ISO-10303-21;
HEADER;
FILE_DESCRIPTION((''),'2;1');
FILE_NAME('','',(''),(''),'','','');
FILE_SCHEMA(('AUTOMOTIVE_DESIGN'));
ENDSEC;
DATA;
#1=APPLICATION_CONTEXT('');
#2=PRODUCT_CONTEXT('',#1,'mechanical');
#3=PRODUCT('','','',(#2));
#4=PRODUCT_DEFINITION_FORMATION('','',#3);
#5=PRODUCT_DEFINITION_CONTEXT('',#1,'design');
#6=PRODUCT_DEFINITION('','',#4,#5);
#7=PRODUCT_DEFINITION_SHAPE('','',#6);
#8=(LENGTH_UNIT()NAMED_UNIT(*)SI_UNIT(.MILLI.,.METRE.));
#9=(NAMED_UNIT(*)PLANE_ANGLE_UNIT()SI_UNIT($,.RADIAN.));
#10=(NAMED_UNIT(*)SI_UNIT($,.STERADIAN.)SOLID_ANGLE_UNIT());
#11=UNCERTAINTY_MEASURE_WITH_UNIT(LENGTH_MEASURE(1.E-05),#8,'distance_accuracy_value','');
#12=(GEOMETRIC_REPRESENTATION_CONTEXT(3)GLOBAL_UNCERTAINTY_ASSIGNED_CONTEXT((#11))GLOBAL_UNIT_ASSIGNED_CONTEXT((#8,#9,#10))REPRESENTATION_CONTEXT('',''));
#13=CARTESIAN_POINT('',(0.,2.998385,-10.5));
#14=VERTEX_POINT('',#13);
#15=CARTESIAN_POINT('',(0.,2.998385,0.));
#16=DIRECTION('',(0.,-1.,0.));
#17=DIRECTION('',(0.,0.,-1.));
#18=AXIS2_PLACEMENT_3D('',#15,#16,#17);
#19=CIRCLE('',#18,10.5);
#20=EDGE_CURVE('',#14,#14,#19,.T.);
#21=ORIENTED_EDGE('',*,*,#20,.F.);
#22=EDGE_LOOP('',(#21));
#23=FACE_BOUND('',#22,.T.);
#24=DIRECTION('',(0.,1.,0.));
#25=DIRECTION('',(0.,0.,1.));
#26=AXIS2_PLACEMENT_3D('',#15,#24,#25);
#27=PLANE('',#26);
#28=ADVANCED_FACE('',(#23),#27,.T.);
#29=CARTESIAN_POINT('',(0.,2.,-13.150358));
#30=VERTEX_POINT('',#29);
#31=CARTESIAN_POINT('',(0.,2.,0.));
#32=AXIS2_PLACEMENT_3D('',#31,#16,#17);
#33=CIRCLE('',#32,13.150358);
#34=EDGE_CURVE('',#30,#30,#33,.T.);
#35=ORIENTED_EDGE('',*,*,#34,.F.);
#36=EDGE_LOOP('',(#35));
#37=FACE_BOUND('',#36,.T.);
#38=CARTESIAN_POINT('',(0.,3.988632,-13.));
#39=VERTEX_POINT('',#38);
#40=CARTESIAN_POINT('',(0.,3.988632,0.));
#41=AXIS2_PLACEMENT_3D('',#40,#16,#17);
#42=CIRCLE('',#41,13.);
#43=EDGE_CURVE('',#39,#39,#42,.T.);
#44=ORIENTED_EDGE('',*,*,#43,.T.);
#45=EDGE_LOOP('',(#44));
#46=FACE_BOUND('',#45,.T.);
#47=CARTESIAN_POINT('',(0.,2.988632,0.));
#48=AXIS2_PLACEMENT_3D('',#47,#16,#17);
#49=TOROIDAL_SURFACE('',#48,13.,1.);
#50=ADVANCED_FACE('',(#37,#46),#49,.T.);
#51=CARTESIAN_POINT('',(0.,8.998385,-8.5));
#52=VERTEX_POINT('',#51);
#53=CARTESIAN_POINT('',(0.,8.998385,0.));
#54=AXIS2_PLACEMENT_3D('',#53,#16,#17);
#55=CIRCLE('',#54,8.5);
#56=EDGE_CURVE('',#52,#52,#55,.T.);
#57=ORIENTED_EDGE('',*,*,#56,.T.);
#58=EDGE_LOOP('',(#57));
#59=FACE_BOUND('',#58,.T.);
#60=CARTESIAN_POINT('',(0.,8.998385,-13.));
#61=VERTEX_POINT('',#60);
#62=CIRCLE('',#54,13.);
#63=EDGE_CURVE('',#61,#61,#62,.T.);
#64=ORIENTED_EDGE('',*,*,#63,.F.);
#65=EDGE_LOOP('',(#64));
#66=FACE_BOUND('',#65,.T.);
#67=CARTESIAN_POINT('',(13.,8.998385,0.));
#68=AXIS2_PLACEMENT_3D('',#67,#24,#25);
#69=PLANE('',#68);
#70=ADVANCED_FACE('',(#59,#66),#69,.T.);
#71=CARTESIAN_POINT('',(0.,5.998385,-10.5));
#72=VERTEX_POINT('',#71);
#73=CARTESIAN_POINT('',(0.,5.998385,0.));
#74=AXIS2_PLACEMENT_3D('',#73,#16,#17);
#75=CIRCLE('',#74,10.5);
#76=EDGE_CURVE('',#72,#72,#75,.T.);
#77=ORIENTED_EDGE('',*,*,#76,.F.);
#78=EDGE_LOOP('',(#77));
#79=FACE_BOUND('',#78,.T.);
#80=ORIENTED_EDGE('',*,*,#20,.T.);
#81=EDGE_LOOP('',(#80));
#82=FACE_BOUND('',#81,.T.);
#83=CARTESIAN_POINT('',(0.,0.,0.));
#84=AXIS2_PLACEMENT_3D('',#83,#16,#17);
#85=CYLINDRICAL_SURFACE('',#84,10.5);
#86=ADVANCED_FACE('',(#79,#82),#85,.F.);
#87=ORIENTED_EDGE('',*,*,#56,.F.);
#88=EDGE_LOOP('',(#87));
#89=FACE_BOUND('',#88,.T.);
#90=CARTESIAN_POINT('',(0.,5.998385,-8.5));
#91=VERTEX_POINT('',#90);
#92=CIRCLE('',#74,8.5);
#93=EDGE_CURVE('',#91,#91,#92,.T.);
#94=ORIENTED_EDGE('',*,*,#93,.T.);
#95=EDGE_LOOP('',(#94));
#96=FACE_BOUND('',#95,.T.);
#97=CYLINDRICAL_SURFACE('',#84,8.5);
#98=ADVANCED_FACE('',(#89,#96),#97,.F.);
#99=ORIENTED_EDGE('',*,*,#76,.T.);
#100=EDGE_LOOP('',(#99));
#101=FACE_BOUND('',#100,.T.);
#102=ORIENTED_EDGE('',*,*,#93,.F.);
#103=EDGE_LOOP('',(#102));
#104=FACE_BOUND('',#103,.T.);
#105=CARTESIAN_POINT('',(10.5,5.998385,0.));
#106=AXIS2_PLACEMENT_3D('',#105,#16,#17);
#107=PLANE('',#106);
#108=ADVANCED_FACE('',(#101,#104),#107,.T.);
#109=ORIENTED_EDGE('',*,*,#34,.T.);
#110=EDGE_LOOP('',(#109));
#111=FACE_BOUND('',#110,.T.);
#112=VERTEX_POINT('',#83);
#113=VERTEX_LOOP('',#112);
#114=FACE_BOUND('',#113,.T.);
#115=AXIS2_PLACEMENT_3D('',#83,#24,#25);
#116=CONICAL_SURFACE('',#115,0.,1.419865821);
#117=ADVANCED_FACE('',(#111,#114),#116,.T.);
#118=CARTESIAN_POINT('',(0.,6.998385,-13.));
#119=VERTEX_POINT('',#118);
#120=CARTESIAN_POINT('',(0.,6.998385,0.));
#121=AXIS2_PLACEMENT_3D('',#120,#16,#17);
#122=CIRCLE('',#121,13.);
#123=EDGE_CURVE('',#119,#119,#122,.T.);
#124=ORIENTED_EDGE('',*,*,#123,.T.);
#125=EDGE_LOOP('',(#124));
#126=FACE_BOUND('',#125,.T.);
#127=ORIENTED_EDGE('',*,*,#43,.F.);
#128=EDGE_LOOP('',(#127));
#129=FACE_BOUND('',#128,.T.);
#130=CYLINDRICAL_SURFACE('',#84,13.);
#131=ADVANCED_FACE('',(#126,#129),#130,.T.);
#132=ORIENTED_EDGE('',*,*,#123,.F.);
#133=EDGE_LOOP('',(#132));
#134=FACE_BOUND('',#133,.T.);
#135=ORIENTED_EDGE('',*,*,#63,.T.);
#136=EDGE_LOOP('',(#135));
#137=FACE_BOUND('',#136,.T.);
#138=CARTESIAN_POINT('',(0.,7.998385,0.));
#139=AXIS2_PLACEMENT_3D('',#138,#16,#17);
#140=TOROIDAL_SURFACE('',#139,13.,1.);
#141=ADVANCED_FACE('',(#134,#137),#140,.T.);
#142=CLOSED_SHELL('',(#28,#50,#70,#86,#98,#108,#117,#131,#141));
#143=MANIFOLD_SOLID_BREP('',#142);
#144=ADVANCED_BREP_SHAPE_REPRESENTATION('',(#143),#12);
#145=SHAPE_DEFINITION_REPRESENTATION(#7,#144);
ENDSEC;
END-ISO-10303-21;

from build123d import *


with BuildPart() as part:
    # Skizze1 → Rotation1 (revolve)
    with BuildSketch(Plane.XY, mode=Mode.PRIVATE) as rotation1_sk:
        with BuildLine():
            Line((0, 0), (13.150358125, 2))
            ThreePointArc((13.150358125, 2), (13.997153849, 3.064025241), (13, 3.988631597))
            Line((13, 3.988631597), (13, 6.998384988))
            ThreePointArc((13, 6.998384988), (14, 7.998384988), (13, 8.998384988))
            Line((13, 8.998384988), (8.5, 8.998384988))
            Line((8.5, 8.998384988), (8.5, 5.998384988))
            Line((8.5, 5.998384988), (10.5, 5.998384988))
            Line((10.5, 5.998384988), (10.5, 2.998384988))
            Line((10.5, 2.998384988), (0, 2.998384988))
            Line((0, 2.998384988), (0, 0))
        make_face()
    revolve(rotation1_sk.sketch.rotate(Axis((0, 0, 0), (0, 1, 0)), 90), axis=Axis((0, 0, 0), (0, 1, 0)))


solid = part.part
